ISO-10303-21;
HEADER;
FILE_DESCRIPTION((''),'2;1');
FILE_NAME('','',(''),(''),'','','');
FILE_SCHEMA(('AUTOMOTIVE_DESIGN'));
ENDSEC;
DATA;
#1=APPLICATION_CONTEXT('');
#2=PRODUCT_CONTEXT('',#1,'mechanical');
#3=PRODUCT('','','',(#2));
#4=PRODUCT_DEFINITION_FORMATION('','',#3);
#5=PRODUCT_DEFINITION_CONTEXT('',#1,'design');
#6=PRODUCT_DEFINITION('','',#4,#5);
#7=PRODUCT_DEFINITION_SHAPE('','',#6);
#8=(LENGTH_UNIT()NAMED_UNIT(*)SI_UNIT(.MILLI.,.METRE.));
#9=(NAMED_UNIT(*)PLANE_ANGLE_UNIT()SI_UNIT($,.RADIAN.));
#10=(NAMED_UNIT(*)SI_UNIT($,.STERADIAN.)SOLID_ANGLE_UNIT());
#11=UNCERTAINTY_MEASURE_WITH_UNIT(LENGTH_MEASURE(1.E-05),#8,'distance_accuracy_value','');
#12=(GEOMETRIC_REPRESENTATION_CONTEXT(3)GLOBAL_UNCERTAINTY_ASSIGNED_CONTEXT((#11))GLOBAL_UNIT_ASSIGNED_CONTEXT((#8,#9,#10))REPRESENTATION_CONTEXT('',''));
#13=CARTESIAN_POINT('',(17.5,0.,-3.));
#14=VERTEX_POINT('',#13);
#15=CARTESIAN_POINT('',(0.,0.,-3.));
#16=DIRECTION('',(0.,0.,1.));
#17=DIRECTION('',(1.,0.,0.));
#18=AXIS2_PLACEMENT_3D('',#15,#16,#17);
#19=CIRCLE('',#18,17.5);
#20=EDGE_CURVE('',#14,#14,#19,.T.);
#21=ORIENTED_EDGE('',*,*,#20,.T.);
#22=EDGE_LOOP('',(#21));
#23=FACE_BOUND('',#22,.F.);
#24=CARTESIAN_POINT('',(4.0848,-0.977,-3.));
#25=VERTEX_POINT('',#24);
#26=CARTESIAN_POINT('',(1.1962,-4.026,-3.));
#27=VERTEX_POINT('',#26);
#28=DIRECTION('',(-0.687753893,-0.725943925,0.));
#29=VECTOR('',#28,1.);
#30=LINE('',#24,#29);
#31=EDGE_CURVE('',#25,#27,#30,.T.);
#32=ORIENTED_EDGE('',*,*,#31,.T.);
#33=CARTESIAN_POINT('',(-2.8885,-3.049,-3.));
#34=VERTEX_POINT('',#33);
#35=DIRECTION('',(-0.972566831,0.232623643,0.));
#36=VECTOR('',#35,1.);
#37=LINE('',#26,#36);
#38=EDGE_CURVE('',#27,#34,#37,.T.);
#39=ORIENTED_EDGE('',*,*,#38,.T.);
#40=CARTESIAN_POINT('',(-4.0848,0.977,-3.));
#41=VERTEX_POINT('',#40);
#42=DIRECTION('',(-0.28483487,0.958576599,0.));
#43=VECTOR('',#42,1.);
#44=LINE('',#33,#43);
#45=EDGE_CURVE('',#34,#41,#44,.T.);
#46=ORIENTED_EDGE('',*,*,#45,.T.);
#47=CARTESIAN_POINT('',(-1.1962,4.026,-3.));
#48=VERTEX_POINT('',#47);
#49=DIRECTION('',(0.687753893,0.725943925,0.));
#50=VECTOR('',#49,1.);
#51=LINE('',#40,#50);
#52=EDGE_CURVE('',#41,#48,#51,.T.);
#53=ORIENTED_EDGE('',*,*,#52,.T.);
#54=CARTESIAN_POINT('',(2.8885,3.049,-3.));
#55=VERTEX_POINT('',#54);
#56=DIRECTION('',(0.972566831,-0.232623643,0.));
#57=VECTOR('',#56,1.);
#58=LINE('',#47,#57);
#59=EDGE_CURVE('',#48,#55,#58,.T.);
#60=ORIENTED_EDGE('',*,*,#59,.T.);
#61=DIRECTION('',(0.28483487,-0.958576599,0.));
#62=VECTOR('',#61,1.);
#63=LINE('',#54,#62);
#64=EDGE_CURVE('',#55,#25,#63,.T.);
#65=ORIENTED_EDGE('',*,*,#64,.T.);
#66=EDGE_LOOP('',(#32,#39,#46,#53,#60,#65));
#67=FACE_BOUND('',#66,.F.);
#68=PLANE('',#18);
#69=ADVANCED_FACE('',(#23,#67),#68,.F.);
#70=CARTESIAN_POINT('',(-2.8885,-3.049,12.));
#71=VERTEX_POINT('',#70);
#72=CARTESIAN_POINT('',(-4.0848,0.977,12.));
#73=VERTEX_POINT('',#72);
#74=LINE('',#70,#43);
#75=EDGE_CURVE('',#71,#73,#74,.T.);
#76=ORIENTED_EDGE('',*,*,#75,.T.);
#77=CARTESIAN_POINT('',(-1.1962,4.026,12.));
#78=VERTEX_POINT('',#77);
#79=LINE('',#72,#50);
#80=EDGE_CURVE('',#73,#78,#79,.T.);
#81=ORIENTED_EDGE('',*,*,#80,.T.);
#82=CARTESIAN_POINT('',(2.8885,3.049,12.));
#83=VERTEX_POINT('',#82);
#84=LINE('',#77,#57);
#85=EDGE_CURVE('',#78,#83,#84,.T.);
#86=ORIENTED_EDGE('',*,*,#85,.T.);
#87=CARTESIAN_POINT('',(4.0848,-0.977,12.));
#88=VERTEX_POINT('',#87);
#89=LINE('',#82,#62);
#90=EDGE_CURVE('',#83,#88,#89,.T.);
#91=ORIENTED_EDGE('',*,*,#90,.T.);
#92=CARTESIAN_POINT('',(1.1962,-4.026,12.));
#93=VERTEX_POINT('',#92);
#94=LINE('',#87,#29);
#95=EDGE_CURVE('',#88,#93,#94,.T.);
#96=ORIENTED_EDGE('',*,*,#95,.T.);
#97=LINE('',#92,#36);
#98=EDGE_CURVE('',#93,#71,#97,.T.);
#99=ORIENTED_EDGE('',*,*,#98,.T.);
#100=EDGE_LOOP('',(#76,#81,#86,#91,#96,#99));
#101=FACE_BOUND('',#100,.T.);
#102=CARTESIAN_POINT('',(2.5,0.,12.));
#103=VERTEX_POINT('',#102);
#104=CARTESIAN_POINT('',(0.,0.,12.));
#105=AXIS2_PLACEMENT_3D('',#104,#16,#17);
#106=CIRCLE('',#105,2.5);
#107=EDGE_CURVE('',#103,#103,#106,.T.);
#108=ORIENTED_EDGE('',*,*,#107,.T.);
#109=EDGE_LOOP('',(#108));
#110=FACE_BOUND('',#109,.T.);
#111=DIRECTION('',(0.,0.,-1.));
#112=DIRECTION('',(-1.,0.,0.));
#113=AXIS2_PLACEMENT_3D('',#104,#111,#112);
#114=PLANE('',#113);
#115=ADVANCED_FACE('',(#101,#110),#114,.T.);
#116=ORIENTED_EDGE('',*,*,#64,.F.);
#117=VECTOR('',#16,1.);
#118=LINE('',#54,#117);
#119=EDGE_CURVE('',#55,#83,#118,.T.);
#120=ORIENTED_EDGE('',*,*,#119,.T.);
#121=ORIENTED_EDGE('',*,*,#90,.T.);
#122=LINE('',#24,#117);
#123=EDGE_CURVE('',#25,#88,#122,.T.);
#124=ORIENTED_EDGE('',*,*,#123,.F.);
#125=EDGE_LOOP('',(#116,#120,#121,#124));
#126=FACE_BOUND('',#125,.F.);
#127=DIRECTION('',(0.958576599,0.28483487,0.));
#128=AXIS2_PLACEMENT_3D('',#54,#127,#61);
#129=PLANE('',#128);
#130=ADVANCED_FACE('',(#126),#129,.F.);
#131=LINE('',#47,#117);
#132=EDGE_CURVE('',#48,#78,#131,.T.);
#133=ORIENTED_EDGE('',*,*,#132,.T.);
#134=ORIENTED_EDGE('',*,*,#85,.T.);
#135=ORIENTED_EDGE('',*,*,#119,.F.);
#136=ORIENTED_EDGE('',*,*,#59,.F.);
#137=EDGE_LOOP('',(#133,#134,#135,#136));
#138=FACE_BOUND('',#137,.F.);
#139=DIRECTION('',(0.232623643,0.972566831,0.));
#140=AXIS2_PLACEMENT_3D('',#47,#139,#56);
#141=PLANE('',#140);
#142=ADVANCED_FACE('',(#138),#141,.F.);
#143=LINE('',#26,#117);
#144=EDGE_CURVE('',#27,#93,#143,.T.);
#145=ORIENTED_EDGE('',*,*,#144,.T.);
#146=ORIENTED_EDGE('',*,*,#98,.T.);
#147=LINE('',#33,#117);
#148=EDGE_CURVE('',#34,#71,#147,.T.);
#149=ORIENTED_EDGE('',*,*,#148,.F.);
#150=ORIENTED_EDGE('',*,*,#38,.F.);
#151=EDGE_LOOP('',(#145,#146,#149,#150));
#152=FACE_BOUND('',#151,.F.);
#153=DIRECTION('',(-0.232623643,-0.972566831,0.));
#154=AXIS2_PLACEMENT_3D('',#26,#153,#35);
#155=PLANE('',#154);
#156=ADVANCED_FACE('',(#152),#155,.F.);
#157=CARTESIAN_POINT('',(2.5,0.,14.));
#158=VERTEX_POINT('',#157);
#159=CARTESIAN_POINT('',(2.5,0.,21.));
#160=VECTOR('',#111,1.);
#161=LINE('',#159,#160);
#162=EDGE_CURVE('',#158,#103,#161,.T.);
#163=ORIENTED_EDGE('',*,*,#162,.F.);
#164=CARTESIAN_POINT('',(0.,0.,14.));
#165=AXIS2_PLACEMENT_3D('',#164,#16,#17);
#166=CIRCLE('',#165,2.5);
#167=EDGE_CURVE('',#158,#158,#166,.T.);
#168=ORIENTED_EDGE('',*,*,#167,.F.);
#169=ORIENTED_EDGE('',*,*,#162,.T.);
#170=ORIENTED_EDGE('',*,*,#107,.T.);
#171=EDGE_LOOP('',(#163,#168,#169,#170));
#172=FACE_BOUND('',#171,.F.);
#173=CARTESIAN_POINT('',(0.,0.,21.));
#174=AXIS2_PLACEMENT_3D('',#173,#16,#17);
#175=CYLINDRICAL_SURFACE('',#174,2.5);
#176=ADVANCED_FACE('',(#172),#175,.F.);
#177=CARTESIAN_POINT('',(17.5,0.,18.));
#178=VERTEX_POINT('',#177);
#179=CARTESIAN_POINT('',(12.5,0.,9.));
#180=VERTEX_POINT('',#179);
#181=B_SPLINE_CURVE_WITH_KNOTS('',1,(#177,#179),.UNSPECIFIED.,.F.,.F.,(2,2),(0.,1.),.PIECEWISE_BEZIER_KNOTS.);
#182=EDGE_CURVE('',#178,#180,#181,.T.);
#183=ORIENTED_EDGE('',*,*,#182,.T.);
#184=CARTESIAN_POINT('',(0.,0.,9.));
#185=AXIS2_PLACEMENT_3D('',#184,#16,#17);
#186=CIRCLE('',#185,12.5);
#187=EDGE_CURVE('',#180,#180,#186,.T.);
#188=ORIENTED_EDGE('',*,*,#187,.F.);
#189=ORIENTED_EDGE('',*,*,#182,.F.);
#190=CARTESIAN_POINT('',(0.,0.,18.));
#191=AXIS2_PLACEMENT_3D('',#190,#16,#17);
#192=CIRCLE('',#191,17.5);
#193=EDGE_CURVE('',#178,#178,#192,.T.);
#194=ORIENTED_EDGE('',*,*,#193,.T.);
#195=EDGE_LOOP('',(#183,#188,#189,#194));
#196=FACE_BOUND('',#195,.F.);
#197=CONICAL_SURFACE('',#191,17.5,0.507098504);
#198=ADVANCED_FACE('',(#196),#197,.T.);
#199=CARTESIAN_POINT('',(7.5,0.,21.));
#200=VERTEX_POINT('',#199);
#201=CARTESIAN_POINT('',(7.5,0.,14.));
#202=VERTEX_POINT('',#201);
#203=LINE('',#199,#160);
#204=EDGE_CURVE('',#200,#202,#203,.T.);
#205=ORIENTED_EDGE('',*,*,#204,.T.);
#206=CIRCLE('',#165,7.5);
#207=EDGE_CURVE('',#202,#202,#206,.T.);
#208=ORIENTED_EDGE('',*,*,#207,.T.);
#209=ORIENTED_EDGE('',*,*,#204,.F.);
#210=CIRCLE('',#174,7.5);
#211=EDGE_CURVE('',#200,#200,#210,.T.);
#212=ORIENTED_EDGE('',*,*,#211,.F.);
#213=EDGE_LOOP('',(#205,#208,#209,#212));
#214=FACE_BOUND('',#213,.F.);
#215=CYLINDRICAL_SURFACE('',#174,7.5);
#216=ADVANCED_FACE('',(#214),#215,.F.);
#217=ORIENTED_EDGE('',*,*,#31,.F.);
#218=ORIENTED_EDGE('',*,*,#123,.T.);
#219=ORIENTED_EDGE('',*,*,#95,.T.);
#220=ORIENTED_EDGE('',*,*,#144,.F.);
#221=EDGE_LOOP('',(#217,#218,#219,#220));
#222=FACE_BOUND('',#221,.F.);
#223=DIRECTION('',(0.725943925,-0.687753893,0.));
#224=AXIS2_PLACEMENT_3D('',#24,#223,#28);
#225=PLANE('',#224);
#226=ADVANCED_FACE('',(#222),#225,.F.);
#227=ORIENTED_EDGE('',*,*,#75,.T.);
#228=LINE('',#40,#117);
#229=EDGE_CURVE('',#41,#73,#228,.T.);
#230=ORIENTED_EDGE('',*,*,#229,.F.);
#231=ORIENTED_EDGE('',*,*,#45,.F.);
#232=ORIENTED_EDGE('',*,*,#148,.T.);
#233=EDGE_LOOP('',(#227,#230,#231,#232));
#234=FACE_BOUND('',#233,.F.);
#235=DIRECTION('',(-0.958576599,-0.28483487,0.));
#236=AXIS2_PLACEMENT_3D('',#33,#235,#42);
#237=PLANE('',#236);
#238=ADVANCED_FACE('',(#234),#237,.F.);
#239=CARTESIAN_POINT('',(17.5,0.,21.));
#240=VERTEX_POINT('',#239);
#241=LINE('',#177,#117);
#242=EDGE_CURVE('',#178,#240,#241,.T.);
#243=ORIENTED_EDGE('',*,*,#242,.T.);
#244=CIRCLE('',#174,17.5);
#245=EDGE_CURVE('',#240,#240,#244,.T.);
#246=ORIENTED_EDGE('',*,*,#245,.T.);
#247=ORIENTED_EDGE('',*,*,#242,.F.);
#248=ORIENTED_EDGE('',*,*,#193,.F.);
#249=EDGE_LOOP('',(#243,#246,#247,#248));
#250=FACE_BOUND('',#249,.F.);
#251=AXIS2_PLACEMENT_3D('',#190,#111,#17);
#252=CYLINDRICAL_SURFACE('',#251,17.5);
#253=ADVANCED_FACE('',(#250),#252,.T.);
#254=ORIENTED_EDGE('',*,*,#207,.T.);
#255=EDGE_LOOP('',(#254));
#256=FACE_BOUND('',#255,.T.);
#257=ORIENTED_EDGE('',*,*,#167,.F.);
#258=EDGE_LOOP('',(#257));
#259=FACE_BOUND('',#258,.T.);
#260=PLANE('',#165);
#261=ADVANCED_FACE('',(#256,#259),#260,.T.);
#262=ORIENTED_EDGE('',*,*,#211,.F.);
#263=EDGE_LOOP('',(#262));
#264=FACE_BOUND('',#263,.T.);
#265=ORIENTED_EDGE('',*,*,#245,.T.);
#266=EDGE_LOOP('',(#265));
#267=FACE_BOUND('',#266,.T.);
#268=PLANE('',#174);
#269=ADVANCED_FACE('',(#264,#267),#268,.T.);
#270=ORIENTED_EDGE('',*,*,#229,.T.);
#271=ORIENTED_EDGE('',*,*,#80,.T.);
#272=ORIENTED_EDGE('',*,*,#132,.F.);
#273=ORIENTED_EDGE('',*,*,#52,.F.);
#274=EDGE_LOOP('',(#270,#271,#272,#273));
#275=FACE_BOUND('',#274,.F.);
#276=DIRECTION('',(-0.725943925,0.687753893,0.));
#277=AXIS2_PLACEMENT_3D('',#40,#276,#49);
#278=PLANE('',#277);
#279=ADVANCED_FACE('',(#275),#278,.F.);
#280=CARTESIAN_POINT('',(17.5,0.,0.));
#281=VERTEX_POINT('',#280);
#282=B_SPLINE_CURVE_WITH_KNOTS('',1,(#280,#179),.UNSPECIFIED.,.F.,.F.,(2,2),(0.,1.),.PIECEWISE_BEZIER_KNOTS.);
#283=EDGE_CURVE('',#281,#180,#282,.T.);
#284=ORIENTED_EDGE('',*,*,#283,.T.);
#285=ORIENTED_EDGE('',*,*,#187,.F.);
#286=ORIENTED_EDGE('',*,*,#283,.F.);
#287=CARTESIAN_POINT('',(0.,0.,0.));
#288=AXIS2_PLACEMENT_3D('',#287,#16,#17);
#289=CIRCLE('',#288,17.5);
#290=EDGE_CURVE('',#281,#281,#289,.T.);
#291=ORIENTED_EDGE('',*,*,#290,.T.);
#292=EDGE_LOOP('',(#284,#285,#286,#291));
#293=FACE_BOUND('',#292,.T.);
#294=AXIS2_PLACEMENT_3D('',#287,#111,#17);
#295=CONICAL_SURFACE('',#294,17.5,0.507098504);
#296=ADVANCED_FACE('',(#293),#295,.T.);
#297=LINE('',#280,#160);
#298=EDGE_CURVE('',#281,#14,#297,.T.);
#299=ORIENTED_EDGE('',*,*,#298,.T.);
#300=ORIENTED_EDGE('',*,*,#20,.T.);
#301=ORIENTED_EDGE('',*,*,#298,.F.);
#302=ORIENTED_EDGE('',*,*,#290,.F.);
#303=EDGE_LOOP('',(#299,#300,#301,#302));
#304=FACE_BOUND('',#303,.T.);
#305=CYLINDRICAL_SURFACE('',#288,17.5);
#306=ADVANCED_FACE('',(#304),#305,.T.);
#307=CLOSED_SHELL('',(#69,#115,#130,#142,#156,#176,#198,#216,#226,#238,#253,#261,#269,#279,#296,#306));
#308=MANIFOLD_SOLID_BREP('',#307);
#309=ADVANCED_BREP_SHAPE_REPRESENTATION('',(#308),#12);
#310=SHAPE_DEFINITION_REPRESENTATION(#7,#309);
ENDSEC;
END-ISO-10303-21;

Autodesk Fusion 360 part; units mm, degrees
sketch "Sketch1" plane through (0, 0, 0) normal (0, 0, 1) x (1, 0, 0)
  circle A0 centre (0, 0) radius 17.5
  dimension "d1" = 35
ref_plane "WorkPlane1" through (0, 0, 18) normal (0, 0, 1) x (1, 0, 0)
sketch "Sketch2" plane through (0, 0, 18) normal (0, 0, 1) x (1, 0, 0)
  circle A0 centre (0, 0) radius 17.5
  dimension "d3" = 35
ref_plane "WorkPlane2" through (0, 0, 9) normal (0, 0, 1) x (1, 0, 0)
sketch "Sketch3" plane through (0, 0, 9) normal (0, 0, 1) x (1, 0, 0)
  circle A0 centre (0, 0) radius 12.5
  dimension "d5" = 25
loft "Loft1" add profiles "Sketch2", "Sketch3" section 1 section 2
loft "Loft2" add profiles "Sketch1" section 1 section 2 face at (-3.3879, -0.621, 9)
extrude "Extrude1" add 1 faces at (4.4225, -5.9212, 18) along direction (0, 0, 1) blind 3
extrude "Extrude2" add 1 faces at (4.4225, -5.9212, 0) along direction (0, 0, -1) blind 3
sketch "Sketch4" plane through (0, 0, -3) normal (0, 0, -1) x (-1, 0, 0)
  circle A0 centre (0, 0) radius 17.5
  line L0 (2.8885, -3.049) -> (4.0848, 0.977)
  line L1 (4.0848, 0.977) -> (1.1962, 4.026)
  line L2 (1.1962, 4.026) -> (-2.8885, 3.049)
  line L3 (-2.8885, 3.049) -> (-4.0848, -0.977)
  line L4 (-4.0848, -0.977) -> (-1.1962, -4.026)
  line L5 (-1.1962, -4.026) -> (2.8885, -3.049)
  dimension "d10" = 4.2
extrude "Extrude3" cut sketch "Sketch4" against normal blind 15 contours L0 L1 L2 L3 L4 L5
sketch "Sketch5" plane through (0, 0, 21) normal (0, 0, 1) x (1, 0, 0)
  circle A0 centre (0, 0) radius 17.5
sketch "Sketch6" plane through (0, 0, 21) normal (0, 0, 1) x (1, 0, 0)
  circle A0 centre (0, 0) radius 7.5
  dimension "d13" = 15
extrude "Extrude4" cut sketch "Sketch6" against normal blind 7
sketch "Sketch7" plane through (0, 0, 21) normal (0, 0, 1) x (1, 0, 0)
  circle A0 centre (0, 0) radius 7.5
  dimension "d16" = 15
sketch "Sketch8" plane through (0, 0, 21) normal (0, 0, 1) x (1, 0, 0)
  circle A0 centre (0, 0) radius 2.5
  dimension "d17" = 5
extrude "Extrude5" cut sketch "Sketch8" against normal blind 9
equation "d4 = ( 18 / 2 ) * 1 mm"
